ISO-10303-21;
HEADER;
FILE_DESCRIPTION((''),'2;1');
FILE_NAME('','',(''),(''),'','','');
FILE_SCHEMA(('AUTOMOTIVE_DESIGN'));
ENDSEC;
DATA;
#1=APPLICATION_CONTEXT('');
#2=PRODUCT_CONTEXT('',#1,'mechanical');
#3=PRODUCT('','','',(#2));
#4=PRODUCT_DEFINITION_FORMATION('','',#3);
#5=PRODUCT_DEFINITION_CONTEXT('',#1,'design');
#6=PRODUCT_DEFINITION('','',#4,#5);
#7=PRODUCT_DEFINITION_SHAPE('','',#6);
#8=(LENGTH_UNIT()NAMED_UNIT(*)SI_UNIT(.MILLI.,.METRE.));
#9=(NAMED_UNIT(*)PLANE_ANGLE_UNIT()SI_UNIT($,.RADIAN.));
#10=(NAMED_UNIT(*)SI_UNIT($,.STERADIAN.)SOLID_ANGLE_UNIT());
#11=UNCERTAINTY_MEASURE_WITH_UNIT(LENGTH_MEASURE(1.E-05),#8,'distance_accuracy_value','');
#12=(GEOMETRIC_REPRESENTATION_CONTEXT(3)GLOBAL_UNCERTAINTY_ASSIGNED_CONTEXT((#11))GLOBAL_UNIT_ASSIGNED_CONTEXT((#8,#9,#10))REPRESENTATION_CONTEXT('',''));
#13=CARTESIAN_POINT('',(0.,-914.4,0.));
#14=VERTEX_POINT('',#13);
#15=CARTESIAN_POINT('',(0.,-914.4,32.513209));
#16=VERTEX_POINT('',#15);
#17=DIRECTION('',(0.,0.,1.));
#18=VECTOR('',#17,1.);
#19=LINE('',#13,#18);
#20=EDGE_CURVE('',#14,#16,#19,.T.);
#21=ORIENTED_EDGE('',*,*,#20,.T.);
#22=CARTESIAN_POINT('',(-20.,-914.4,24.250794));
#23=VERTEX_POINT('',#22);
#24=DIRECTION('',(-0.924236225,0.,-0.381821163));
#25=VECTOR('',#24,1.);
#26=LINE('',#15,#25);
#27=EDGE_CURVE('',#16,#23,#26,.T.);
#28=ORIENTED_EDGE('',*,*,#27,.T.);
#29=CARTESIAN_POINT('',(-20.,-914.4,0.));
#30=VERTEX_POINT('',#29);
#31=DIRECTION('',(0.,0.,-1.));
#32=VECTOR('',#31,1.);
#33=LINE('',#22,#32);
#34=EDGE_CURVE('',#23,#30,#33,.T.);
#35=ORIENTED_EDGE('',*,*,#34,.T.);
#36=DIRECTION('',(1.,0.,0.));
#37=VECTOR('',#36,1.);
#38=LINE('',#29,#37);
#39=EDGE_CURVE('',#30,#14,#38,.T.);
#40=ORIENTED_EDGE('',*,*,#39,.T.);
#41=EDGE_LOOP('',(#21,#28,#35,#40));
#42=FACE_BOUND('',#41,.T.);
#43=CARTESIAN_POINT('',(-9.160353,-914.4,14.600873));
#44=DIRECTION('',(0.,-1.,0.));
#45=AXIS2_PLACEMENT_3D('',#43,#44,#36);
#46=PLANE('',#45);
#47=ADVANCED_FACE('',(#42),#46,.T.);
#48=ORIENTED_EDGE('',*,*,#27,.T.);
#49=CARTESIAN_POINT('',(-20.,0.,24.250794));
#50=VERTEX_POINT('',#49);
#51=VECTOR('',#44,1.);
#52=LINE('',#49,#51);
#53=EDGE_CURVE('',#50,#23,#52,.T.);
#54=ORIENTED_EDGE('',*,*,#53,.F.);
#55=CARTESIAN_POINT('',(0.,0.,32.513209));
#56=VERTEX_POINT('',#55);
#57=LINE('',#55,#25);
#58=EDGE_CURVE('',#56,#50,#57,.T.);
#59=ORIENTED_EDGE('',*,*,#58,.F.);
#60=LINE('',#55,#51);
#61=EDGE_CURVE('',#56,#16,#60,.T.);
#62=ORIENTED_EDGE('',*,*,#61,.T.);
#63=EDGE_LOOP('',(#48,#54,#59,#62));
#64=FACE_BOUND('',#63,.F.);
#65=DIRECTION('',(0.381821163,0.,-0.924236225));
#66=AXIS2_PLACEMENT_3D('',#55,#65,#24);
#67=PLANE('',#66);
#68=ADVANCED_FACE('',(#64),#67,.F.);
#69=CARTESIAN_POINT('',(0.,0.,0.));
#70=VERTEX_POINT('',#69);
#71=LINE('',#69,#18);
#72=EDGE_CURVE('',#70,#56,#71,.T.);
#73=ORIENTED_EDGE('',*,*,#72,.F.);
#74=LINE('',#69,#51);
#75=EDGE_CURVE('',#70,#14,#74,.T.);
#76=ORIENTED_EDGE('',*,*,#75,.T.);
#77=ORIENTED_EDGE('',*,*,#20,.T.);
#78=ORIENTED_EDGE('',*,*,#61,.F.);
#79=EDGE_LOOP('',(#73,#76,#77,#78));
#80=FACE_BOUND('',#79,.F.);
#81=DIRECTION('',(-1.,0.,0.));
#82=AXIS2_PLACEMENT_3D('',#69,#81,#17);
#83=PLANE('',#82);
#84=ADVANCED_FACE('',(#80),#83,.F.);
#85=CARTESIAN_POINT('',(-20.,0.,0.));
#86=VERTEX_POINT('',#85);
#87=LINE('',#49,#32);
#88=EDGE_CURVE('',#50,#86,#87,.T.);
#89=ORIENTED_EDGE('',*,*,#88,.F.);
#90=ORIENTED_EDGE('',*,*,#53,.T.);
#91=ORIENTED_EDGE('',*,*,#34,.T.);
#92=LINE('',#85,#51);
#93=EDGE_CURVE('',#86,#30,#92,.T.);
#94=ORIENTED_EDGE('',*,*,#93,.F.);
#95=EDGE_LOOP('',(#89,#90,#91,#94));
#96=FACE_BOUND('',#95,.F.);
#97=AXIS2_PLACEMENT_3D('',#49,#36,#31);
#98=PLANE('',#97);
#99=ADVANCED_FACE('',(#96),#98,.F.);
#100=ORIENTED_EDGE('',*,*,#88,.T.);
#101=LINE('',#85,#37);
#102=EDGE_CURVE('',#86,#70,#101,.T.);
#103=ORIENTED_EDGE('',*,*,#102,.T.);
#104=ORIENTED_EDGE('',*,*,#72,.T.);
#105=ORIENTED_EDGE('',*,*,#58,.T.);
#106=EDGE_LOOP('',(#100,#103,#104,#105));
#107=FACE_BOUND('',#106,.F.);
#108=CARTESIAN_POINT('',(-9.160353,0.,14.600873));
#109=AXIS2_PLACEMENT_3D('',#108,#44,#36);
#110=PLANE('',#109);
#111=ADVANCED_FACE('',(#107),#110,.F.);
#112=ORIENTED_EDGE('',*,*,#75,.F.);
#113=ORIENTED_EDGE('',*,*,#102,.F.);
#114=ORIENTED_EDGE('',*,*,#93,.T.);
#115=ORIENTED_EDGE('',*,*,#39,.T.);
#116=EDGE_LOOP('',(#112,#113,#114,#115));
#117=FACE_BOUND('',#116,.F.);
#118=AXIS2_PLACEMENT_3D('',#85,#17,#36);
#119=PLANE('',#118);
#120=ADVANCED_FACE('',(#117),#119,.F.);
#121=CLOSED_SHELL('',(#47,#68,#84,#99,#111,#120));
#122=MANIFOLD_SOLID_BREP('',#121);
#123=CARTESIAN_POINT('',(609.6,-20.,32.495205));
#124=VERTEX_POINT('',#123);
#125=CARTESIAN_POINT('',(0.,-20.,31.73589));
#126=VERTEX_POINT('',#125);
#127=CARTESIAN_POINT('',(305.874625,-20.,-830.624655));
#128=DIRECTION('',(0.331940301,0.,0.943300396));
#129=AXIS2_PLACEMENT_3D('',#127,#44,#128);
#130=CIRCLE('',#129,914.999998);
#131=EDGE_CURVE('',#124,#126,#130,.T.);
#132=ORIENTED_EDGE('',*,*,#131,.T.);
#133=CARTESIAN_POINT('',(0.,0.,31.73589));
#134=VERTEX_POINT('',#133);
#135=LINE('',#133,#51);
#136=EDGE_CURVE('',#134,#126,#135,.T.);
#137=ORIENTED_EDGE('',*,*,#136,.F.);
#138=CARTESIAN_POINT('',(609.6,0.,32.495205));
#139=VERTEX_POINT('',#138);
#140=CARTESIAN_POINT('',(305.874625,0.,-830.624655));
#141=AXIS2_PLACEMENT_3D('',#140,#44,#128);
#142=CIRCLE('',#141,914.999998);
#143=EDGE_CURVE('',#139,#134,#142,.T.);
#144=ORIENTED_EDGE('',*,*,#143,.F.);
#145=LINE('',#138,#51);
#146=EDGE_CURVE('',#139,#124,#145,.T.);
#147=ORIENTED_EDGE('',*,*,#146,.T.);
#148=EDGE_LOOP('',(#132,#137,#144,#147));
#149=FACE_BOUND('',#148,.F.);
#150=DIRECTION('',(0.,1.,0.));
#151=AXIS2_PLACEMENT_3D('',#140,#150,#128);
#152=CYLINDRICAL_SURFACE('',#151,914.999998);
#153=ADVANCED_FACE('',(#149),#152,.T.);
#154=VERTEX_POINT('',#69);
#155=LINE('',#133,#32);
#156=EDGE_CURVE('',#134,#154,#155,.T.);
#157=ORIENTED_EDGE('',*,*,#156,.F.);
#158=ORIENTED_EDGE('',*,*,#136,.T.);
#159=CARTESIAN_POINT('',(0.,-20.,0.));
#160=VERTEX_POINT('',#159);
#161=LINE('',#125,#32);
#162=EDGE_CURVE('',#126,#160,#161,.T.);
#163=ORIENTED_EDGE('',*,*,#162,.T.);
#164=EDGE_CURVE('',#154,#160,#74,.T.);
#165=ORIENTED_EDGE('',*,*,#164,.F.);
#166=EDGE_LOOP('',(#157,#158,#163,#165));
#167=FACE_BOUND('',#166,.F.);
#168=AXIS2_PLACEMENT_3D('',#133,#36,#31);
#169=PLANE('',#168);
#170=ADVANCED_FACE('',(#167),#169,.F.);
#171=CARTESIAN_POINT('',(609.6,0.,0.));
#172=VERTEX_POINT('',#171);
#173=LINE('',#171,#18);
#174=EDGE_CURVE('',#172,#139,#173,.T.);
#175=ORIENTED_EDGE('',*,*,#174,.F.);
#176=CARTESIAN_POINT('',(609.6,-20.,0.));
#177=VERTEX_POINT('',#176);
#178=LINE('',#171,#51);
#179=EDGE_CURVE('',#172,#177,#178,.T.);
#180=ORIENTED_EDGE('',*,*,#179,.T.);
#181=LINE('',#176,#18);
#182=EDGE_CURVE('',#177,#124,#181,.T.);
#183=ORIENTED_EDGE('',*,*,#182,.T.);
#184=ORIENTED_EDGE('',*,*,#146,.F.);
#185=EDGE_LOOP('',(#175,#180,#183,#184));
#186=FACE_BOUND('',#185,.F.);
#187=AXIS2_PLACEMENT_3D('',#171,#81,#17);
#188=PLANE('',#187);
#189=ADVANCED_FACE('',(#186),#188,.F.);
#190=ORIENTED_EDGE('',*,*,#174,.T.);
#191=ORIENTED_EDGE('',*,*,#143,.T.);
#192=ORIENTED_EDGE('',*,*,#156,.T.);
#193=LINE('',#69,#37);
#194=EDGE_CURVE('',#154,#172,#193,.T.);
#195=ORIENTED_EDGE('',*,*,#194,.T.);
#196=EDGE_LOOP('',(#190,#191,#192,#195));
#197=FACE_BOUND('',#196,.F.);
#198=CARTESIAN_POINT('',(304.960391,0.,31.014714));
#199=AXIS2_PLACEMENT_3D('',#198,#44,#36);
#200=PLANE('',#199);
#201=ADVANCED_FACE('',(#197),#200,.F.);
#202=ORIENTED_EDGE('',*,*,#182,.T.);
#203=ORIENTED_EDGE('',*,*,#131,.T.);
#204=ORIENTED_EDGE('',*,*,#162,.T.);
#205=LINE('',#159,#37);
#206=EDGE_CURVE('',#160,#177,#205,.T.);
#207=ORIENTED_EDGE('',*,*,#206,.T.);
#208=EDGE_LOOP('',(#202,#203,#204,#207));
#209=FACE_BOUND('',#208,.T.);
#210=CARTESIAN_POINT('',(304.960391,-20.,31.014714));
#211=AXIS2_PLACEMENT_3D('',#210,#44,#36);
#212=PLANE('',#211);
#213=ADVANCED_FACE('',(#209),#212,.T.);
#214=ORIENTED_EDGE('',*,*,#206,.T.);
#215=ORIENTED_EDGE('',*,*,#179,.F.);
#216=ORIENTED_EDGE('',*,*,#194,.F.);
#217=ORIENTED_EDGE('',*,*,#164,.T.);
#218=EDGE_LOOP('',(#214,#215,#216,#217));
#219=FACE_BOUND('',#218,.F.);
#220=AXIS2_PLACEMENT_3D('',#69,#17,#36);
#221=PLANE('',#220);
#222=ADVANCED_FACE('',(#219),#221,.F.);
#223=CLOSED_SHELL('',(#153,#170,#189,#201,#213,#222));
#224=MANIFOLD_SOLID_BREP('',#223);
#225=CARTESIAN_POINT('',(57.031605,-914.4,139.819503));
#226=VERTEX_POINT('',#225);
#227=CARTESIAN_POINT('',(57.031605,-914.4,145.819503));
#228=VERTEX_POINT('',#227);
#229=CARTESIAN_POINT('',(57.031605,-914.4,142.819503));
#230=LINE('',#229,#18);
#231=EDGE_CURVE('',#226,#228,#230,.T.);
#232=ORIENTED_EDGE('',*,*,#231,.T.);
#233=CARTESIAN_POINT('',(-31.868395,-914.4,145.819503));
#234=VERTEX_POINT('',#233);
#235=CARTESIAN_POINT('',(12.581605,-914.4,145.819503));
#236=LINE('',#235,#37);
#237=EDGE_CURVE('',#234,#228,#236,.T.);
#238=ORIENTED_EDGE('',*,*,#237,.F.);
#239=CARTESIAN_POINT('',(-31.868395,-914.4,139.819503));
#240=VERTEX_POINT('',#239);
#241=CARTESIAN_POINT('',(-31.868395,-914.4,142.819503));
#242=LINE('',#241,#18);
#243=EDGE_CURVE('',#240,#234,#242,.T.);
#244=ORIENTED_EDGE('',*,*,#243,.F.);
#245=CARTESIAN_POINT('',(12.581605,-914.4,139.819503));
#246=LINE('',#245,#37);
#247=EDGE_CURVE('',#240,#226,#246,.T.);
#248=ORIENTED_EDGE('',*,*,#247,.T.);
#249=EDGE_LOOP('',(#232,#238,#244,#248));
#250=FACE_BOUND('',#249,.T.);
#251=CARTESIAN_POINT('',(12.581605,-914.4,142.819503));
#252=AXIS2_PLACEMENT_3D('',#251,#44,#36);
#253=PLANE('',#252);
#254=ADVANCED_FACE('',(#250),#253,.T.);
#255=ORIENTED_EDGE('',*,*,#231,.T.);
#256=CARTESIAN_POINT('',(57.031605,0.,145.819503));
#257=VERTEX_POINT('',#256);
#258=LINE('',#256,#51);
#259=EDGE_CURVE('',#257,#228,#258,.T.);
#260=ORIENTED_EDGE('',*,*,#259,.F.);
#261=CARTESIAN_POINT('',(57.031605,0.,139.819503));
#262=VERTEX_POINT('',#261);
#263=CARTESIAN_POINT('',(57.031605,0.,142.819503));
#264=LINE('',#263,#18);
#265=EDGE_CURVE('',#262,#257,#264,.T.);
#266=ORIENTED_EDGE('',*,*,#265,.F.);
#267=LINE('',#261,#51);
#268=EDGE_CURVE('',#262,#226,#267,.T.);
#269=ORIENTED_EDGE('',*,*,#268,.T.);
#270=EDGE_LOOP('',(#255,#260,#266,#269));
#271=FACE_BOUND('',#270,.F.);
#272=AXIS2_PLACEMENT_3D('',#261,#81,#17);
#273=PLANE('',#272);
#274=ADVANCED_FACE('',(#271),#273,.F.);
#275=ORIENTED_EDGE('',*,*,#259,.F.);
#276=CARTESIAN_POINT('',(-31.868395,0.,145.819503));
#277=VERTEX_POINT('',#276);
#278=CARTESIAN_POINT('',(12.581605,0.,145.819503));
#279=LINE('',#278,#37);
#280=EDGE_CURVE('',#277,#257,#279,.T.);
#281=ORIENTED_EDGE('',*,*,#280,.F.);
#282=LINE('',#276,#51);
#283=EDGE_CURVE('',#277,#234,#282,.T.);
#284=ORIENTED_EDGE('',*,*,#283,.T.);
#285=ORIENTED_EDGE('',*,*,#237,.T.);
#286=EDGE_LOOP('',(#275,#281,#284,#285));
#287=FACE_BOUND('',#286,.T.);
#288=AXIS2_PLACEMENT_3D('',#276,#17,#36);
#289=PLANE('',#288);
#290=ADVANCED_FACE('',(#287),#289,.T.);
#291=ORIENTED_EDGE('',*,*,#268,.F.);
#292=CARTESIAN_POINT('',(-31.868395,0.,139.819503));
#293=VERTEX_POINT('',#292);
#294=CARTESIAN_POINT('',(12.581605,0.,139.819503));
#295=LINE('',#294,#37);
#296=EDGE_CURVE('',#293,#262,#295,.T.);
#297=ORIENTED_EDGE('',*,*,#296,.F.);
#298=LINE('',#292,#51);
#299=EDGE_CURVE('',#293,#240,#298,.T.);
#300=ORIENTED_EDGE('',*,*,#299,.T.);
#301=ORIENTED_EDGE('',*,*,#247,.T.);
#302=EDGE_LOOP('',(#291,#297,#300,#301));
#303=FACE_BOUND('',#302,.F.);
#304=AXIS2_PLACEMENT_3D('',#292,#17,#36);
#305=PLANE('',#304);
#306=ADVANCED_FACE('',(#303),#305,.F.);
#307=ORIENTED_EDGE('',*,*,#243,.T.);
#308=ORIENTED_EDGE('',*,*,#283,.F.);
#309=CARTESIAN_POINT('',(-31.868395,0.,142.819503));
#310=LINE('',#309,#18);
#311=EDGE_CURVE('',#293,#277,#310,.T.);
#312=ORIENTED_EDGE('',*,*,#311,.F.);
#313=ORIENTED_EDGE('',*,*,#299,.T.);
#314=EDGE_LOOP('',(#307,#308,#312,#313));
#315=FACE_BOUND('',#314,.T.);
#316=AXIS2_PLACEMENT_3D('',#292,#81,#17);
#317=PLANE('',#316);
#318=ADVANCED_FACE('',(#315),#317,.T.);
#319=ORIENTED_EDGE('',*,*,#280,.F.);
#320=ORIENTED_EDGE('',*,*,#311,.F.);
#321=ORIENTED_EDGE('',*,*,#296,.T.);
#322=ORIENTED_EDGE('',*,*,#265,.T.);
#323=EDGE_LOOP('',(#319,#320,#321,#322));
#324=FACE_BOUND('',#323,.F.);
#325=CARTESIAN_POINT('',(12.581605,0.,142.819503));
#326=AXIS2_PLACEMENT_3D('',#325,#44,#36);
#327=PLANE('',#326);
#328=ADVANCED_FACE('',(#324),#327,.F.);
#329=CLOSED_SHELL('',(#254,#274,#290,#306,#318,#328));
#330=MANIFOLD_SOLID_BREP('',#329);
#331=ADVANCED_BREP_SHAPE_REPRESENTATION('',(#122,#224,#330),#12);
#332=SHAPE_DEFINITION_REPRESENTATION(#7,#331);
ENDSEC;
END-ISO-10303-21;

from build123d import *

# Parameters (mm, degrees)
F1_DEPTH = 20
F2_W     = 88.9
F2_H     = 6
F3_DEPTH = 914.4
F5_DEPTH = 914.4


with BuildPart() as f1:
    # F0 (on Front) → F1 (new body)
    with BuildSketch(Plane.XZ):
        with BuildLine():
            Line((0, 31.73589), (0, 0))
            Line((0, 0), (609.6, 0))
            Line((609.6, 0), (609.6, 32.495205))
            ThreePointArc((609.6, 32.495205), (304.734906, 84.374633), (0, 31.73589))
        make_face()
    extrude(amount=F1_DEPTH)


with BuildPart() as f3:
    # F2 (on Front) → F3 (new body)
    with BuildSketch(Plane.XZ):
        with Locations((12.581605, 142.819503)):
            Rectangle(F2_W, F2_H)
    extrude(amount=F3_DEPTH)


with BuildPart() as f5:
    # F4 (on Front) → F5 (new body)
    with BuildSketch(Plane.XZ):
        Polygon((-20, 0), (0, 0), (0, 32.513209), (-20, 24.250794), align=None)
    extrude(amount=F5_DEPTH)


solid = Compound([f1.part, f3.part, f5.part])
